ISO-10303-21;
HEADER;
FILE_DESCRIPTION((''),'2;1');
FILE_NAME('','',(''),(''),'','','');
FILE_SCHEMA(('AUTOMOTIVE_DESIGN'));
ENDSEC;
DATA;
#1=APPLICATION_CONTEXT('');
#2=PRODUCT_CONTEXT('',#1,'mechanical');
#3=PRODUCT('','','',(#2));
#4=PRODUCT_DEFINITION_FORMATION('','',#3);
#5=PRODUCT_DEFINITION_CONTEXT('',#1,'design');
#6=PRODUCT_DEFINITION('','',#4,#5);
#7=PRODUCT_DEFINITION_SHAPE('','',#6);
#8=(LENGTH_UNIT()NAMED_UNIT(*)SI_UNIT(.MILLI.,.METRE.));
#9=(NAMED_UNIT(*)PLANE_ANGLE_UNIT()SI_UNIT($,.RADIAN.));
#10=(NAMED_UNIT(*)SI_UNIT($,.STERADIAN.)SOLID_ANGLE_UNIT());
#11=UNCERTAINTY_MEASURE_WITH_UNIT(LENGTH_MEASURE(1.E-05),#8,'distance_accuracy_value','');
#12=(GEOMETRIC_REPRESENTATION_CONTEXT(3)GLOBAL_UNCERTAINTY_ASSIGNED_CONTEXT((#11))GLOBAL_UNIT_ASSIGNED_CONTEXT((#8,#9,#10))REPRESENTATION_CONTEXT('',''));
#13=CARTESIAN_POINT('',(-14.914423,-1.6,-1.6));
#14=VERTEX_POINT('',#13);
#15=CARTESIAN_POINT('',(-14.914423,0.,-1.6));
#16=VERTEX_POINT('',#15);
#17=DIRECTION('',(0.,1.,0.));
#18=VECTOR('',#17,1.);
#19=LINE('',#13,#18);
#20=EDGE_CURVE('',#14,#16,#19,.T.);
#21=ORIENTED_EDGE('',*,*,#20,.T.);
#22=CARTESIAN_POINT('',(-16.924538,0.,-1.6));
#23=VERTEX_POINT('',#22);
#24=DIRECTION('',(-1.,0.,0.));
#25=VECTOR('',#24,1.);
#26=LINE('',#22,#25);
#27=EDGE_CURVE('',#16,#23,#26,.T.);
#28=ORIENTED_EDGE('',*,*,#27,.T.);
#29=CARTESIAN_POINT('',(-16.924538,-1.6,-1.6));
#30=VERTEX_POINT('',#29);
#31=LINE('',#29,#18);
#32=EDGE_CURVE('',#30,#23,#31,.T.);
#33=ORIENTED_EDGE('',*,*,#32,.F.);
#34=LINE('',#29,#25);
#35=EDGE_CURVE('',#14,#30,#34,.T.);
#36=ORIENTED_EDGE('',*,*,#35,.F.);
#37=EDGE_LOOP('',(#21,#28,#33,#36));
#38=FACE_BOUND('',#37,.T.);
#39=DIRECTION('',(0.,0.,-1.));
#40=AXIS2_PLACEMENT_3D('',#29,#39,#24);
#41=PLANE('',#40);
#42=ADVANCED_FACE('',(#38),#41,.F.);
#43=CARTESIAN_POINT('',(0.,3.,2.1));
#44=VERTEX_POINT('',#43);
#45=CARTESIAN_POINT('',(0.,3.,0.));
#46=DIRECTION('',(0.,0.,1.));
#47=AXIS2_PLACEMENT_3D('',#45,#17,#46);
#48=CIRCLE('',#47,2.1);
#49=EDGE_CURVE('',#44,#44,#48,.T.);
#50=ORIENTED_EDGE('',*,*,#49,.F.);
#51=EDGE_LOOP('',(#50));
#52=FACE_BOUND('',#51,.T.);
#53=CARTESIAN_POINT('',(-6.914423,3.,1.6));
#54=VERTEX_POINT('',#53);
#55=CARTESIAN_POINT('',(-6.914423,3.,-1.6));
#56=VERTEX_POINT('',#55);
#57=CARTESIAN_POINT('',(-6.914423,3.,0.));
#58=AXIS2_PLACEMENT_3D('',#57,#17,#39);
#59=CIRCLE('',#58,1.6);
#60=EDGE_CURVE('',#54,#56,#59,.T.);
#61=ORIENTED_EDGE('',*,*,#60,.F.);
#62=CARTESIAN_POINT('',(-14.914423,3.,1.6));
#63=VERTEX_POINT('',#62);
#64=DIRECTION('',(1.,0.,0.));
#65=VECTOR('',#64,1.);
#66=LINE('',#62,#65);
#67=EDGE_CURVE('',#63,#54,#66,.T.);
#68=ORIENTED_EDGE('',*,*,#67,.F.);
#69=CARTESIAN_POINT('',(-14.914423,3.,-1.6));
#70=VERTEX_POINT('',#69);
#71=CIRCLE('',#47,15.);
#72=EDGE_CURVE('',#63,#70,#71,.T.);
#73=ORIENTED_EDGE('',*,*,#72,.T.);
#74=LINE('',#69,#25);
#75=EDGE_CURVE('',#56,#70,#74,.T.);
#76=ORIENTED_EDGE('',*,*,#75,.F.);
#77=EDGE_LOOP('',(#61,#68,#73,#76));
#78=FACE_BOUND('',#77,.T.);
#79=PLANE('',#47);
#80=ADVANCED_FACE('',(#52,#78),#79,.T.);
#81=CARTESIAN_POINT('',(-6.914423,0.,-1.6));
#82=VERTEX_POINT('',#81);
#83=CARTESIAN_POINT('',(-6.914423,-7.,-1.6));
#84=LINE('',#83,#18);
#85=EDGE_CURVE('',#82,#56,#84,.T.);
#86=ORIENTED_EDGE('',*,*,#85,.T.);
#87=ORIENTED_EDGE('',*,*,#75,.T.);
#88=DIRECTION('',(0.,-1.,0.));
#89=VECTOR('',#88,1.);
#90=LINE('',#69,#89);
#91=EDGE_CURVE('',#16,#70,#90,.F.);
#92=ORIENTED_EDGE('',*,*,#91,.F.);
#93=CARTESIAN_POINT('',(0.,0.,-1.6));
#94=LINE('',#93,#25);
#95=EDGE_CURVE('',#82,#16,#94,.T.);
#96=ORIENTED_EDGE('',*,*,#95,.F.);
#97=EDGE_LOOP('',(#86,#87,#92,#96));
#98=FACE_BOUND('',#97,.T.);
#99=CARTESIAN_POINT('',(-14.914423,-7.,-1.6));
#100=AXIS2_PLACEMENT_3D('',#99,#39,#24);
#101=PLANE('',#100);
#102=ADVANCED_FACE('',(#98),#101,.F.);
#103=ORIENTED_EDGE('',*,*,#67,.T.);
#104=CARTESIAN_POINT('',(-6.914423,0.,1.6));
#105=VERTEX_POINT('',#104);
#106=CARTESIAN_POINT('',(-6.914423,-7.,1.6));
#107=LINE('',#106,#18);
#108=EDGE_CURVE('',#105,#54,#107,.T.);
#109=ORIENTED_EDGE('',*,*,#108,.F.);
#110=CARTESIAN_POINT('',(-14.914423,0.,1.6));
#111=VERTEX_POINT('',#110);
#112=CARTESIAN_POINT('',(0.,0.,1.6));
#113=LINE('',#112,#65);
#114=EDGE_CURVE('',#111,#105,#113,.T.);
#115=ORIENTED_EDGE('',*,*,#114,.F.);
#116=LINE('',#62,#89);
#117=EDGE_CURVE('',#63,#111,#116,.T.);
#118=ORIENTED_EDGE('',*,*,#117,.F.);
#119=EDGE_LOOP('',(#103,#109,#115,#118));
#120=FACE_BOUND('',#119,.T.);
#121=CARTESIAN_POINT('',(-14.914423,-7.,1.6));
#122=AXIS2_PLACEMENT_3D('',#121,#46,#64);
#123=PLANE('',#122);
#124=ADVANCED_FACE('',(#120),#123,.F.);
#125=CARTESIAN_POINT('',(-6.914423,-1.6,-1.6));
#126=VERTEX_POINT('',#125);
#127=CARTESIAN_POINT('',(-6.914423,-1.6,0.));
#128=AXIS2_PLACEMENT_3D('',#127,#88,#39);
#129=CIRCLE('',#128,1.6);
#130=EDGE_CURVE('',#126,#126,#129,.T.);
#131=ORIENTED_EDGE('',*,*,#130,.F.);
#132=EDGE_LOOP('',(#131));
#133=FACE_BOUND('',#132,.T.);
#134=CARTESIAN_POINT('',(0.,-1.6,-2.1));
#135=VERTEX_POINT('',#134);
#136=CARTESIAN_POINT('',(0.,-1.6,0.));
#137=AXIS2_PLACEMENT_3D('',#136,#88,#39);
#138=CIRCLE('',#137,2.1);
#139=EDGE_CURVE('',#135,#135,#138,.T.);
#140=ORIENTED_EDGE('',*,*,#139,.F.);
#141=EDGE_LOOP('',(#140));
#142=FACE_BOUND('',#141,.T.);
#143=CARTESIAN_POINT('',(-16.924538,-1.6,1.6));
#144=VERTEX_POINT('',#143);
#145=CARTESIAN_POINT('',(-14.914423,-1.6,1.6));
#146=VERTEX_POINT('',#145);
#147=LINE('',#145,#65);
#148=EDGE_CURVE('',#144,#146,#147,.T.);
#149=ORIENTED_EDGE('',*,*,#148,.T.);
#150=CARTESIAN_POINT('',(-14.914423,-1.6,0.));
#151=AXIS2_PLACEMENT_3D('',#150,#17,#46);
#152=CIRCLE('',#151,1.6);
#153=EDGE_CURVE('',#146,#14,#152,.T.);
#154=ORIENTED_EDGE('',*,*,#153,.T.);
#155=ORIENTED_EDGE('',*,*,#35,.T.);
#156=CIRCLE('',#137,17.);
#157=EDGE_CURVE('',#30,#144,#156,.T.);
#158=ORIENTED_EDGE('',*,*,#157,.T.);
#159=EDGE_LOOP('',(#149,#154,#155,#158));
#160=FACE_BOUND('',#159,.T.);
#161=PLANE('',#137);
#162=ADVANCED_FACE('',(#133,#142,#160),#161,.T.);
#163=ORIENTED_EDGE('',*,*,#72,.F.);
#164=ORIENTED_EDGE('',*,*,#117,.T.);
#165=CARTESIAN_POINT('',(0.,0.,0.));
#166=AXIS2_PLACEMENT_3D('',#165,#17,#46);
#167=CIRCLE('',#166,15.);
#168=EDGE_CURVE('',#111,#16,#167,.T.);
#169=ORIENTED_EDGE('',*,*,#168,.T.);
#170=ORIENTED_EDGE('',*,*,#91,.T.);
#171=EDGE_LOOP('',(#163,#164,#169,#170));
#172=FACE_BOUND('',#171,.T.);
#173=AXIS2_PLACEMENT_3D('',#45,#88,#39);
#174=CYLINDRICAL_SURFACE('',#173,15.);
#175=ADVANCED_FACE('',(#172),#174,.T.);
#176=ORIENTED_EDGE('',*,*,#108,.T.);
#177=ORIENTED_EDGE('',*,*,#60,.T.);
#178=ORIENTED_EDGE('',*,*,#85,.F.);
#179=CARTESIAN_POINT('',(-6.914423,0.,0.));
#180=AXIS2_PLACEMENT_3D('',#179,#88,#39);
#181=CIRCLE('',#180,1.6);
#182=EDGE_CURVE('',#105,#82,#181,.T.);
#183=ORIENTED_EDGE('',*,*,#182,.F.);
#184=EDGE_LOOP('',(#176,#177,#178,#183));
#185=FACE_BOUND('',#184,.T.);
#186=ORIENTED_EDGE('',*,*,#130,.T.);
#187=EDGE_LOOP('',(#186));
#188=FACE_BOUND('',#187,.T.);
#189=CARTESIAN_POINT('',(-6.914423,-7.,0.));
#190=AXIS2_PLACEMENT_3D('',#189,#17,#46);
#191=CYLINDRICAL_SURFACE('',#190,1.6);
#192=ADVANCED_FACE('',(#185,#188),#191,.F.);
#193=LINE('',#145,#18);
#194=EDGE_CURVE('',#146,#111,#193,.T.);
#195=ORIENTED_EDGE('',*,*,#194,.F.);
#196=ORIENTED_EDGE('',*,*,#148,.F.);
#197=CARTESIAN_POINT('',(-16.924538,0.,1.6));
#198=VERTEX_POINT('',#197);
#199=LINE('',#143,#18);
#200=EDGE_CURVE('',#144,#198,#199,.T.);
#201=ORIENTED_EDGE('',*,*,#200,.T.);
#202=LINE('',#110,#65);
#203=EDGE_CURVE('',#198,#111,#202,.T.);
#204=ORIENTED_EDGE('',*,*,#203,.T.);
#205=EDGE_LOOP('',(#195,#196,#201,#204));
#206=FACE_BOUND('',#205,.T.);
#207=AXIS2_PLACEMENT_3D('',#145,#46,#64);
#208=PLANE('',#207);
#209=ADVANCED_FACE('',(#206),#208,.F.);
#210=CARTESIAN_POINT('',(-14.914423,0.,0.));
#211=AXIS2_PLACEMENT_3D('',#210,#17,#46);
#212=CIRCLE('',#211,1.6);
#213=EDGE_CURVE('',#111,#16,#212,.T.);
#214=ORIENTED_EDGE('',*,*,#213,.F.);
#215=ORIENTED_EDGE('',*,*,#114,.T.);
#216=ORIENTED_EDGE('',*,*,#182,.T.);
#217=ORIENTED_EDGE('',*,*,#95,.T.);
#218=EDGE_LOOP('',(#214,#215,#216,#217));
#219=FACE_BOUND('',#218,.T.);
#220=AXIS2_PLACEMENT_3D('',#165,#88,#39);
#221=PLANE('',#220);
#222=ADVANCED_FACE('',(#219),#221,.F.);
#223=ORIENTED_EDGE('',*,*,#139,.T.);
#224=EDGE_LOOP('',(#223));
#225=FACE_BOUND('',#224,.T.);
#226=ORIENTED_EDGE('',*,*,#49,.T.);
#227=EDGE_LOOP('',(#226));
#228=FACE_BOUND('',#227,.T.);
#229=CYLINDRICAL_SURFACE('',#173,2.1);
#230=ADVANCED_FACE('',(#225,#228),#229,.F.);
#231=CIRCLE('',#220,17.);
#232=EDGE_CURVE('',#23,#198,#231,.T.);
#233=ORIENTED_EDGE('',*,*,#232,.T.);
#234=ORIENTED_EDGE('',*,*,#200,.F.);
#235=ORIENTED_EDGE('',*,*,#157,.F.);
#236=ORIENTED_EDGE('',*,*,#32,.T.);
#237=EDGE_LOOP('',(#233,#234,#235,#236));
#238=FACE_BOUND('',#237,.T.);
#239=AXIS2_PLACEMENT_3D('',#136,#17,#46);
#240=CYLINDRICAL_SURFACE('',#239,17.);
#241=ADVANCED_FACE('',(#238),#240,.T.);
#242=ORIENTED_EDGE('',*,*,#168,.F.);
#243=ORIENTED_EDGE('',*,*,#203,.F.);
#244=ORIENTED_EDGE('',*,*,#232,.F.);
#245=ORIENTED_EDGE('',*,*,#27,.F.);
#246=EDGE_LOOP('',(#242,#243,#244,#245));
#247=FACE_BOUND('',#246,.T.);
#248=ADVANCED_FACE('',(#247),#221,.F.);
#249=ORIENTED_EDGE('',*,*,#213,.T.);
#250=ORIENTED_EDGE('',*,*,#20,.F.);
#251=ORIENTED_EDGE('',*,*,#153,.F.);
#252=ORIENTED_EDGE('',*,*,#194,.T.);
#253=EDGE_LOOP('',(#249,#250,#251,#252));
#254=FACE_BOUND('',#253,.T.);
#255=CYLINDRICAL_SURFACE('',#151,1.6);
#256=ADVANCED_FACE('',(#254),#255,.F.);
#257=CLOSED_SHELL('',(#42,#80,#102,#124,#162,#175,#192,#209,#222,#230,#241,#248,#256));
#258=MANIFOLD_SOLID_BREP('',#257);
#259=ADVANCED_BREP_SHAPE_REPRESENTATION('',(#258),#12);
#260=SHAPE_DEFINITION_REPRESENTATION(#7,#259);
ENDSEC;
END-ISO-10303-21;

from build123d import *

# Parameters (mm, degrees)
SKETCH_1_R          = 15
SKETCH_1_R_2        = 2.1
EXTRUDE_1_DEPTH     = 3
CUT_EXTRUDE_1_DEPTH = 10
SKETCH_3_R          = 1.6
SKETCH_3_R_2        = 2.1
EXTRUDE_2_DEPTH     = 1.6


with BuildPart() as part:
    # ｽｹｯﾁ1 → ﾎﾞｽ - 押し出し1 (new body)
    with BuildSketch(Plane(origin=(0, 0, 0), x_dir=(1, 0, 0), z_dir=(0, 1, 0))):
        with Locations(Location((0, 0, 0), (0, 0, 270))):
            Circle(SKETCH_1_R)
        with Locations(Location((0, 0, 0), (0, 0, 270))):
            Circle(SKETCH_1_R_2, mode=Mode.SUBTRACT)
    extrude(amount=EXTRUDE_1_DEPTH)

    # ｽｹｯﾁ2 → ｶｯﾄ - 押し出し1 (cut)
    with BuildSketch(Plane(origin=(0, 3, 0), x_dir=(1, 0, 0), z_dir=(0, 1, 0))):
        with BuildLine():
            Line((-14.91442255, 1.6), (-6.91442255, 1.6))
            ThreePointArc((-6.91442255, 1.6), (-5.31442255, 0), (-6.91442255, -1.6))
            Line((-6.91442255, -1.6), (-14.91442255, -1.6))
            ThreePointArc((-14.91442255, -1.6), (-16.51442255, 0), (-14.91442255, 1.6))
        make_face()
    extrude(amount=-CUT_EXTRUDE_1_DEPTH, mode=Mode.SUBTRACT)

    # ｽｹｯﾁ3 → ﾎﾞｽ - 押し出し2 (add)
    with BuildSketch(Plane.XZ):
        with BuildLine():
            Line((-16.924538398, -1.6), (-14.91442255, -1.6))
            ThreePointArc((-14.91442255, -1.6), (-13.31442255, 0), (-14.91442255, 1.6))
            Line((-14.91442255, 1.6), (-16.924538398, 1.6))
            ThreePointArc((-16.924538398, 1.6), (17, 0), (-16.924538398, -1.6))
        make_face()
        with Locations(Location((-6.91442255, 0, 0), (0, 0, 270))):
            Circle(SKETCH_3_R, mode=Mode.SUBTRACT)
        with Locations(Location((0, 0, 0), (0, 0, 270))):
            Circle(SKETCH_3_R_2, mode=Mode.SUBTRACT)
    extrude(amount=EXTRUDE_2_DEPTH)


solid = part.part
